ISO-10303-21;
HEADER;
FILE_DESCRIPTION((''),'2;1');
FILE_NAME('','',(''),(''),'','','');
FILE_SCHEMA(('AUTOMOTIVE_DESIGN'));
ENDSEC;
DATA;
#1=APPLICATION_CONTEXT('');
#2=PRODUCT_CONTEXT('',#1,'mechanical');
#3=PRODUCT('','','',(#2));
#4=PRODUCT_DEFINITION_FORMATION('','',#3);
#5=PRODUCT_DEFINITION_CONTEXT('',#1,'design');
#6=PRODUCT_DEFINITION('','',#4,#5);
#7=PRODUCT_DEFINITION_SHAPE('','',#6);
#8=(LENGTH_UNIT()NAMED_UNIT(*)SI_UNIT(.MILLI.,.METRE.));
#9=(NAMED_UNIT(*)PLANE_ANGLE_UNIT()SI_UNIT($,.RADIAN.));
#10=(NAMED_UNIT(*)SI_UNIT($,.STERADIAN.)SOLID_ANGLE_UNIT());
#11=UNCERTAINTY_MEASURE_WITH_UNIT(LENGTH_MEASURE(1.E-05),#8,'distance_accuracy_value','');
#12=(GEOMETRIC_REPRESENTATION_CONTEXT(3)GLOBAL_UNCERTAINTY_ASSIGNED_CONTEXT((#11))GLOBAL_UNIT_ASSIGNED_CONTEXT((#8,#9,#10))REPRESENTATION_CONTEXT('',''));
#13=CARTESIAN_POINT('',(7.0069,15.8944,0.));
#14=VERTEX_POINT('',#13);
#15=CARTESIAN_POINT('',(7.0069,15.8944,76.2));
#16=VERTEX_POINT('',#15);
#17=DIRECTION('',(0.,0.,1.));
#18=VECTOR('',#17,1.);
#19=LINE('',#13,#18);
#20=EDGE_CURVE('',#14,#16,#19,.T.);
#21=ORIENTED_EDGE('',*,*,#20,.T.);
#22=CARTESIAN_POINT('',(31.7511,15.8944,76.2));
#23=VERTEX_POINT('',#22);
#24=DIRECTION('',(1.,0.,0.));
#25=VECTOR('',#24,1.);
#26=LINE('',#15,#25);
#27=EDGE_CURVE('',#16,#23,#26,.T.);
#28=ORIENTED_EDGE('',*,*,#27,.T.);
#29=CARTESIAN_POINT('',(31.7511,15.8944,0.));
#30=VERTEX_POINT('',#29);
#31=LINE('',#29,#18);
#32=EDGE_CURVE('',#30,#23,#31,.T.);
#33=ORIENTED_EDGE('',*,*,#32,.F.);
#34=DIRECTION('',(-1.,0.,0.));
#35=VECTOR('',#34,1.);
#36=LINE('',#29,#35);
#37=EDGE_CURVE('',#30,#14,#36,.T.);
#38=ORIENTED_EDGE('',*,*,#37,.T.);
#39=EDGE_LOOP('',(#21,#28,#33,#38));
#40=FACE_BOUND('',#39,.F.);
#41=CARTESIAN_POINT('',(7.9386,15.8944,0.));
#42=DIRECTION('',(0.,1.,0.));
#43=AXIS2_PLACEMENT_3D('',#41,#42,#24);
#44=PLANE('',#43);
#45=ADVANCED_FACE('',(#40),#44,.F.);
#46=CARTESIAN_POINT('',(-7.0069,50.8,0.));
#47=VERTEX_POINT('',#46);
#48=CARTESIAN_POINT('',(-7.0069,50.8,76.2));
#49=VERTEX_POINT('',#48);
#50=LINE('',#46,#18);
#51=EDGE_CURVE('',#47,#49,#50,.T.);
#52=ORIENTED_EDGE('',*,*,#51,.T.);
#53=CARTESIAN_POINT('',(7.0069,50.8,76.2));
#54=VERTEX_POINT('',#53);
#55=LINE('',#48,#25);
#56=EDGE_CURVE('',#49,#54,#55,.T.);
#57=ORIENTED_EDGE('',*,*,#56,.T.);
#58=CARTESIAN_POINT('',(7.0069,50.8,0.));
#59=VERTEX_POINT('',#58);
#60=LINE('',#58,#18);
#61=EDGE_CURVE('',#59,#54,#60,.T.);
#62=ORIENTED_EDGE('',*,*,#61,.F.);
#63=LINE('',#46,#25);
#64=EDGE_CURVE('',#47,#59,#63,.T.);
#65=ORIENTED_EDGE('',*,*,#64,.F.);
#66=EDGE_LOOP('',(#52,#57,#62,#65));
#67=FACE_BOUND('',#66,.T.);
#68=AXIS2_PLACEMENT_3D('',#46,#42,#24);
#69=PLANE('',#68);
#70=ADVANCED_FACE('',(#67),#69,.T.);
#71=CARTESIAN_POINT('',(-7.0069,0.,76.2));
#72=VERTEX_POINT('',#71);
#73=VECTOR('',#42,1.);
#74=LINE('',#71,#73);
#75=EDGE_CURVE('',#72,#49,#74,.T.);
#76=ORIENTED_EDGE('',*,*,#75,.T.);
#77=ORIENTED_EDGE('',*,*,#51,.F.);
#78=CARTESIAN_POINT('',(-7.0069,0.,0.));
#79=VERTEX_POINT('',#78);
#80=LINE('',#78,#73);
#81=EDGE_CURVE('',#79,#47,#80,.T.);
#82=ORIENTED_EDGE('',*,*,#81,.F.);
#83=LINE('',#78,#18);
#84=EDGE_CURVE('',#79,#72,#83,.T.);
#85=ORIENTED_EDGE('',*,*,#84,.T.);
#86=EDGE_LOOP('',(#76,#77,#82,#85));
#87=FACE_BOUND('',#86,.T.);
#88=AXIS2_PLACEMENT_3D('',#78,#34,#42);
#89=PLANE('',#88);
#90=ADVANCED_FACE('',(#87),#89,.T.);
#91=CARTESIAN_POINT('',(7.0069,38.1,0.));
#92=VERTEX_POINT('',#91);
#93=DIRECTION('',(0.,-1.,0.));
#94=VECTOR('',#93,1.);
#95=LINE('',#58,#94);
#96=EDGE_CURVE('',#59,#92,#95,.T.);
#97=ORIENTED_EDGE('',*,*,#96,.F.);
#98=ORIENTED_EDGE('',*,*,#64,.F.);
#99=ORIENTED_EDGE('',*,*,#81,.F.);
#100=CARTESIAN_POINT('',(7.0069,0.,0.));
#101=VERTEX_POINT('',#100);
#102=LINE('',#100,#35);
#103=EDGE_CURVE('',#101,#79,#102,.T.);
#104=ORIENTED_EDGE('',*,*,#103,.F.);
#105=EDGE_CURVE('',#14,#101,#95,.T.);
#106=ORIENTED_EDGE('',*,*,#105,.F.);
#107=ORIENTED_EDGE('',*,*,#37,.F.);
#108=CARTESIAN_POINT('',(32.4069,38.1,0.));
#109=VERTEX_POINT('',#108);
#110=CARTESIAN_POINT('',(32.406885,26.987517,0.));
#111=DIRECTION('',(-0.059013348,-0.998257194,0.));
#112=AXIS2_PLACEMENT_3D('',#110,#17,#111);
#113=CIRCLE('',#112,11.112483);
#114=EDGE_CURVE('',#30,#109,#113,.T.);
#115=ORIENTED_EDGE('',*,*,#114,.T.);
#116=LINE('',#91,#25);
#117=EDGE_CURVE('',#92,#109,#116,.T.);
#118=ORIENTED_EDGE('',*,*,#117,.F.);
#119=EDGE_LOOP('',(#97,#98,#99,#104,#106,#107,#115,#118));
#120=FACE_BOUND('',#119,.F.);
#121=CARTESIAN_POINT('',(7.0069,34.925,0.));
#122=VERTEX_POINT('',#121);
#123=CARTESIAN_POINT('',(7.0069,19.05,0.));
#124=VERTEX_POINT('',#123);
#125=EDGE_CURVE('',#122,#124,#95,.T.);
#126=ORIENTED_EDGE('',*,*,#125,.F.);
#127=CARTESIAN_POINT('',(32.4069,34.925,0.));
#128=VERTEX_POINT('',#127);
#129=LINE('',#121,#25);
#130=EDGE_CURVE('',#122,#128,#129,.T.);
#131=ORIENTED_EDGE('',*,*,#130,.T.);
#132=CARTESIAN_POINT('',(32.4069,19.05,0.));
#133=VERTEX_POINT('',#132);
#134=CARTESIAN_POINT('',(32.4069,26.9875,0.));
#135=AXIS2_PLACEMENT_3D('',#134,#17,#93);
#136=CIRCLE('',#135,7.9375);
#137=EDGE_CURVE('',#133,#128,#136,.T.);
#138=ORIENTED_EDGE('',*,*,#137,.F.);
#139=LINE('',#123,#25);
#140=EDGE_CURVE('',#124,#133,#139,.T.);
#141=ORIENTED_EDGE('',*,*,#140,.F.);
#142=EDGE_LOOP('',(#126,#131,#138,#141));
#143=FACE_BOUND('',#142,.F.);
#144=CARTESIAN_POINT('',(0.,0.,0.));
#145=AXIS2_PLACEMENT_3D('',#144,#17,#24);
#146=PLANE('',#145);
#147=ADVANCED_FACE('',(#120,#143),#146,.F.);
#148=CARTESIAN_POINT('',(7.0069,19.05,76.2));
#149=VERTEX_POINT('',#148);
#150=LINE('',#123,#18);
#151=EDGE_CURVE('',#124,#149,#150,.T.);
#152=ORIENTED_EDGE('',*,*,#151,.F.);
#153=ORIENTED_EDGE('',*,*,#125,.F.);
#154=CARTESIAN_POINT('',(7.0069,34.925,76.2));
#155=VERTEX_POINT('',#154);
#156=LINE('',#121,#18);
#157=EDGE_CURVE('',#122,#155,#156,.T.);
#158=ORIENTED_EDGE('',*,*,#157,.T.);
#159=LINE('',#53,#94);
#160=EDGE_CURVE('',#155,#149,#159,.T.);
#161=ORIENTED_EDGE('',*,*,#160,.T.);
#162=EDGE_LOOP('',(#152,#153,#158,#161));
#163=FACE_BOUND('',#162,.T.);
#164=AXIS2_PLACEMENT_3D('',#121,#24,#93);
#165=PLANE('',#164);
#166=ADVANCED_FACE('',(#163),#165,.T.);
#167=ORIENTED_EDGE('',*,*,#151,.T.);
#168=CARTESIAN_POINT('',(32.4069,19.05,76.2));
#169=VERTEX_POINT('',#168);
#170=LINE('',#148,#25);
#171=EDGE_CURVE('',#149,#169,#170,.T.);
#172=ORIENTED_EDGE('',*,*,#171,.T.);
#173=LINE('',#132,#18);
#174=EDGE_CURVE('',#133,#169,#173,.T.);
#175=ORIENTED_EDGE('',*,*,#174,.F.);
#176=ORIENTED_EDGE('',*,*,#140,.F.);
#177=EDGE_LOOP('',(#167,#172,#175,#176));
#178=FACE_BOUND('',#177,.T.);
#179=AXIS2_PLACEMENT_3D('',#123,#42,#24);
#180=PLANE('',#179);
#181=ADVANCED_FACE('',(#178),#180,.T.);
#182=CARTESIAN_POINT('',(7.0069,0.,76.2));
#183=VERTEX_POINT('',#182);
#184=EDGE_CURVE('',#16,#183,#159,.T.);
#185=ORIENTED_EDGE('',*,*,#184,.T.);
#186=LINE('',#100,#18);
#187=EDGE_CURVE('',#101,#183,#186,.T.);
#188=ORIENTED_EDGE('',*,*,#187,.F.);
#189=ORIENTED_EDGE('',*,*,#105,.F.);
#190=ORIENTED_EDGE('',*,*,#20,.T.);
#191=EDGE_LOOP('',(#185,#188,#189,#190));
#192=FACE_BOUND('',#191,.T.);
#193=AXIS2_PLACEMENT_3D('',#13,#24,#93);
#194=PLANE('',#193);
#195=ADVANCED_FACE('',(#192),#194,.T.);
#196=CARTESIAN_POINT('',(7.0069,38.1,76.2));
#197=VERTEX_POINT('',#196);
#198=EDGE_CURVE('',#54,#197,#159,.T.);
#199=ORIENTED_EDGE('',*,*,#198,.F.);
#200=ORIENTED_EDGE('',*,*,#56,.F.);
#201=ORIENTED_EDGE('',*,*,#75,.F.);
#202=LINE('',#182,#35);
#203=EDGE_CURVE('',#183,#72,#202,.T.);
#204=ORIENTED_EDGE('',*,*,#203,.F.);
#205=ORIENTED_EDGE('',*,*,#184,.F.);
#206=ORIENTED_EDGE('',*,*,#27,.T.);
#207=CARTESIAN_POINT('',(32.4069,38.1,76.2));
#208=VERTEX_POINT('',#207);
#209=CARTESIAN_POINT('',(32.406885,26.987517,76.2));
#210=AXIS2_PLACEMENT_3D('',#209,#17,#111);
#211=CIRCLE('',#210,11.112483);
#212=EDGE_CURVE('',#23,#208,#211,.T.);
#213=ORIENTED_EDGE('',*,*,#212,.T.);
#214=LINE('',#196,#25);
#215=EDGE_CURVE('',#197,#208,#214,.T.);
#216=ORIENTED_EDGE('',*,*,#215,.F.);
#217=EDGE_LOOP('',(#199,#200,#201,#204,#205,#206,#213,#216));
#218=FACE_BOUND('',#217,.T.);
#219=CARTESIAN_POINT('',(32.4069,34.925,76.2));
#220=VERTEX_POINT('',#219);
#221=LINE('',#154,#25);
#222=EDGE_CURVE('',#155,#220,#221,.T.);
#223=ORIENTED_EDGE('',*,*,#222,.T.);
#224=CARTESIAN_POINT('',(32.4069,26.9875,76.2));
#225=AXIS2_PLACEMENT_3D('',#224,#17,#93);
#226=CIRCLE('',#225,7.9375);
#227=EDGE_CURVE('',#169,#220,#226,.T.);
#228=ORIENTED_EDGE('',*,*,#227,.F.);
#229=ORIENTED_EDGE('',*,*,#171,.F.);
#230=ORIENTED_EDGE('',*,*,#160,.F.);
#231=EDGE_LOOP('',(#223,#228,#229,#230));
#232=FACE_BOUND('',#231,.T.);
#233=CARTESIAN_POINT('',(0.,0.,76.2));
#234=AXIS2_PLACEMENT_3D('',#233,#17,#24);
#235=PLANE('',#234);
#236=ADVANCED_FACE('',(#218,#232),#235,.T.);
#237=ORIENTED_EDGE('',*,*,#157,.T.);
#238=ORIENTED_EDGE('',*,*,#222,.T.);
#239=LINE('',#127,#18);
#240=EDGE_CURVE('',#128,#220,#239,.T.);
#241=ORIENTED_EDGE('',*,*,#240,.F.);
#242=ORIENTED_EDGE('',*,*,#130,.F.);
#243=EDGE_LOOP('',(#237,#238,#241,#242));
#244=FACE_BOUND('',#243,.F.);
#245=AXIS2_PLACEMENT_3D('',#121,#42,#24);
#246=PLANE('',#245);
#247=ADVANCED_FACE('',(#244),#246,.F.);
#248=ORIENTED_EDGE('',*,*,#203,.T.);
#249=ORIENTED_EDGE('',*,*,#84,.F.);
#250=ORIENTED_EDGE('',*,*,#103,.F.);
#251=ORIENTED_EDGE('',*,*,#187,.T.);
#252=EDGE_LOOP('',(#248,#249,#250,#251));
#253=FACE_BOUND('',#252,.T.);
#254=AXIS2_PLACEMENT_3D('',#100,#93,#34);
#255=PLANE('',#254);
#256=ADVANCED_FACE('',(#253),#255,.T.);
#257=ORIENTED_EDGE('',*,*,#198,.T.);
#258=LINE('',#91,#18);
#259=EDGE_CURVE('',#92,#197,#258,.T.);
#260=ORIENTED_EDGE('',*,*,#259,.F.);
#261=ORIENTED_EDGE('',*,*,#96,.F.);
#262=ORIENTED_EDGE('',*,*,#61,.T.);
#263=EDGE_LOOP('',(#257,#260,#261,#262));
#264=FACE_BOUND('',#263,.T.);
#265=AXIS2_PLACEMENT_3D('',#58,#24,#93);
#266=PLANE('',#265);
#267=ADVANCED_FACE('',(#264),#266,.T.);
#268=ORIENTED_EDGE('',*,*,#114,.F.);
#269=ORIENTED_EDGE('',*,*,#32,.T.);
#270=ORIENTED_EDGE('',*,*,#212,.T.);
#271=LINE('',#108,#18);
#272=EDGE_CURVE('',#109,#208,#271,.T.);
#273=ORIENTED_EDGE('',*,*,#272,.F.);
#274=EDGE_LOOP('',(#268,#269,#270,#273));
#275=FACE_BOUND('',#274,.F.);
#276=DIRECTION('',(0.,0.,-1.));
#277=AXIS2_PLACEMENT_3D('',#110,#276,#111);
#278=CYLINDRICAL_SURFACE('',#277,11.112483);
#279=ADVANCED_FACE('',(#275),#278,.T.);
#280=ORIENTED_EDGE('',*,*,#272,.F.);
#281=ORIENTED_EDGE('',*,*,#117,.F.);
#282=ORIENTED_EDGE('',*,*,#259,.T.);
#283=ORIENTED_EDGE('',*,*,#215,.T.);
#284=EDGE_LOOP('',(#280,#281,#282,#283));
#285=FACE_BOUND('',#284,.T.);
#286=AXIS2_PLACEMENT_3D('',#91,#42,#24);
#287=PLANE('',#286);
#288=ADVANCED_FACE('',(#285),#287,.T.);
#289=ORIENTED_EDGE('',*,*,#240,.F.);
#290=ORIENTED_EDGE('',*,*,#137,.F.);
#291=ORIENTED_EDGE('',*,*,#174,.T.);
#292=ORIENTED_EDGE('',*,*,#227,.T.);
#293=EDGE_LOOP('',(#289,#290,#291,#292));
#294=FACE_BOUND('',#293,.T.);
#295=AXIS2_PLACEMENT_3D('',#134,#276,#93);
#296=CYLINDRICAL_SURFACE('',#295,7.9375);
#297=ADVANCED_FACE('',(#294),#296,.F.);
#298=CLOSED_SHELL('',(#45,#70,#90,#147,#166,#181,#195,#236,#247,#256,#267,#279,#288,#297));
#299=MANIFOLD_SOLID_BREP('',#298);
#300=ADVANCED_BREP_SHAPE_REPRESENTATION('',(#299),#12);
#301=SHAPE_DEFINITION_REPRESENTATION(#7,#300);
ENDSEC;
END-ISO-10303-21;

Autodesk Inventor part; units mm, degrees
ref_plane "YZ Plane" through (0, 0, 0) normal (1, 0, 0) x (0, 1, 0)
ref_plane "XZ Plane" through (0, 0, 0) normal (0, 1, 0) x (-1, 0, 0)
ref_plane "XY Plane" through (0, 0, 0) normal (0, 0, 1) x (1, 0, 0)
sketch "Sketch1" plane through (0, 0, 0) normal (0, 0, 1) x (1, 0, 0)
  line L0 (-7.0069, 50.8) -> (7.0069, 50.8)
  line L1 (7.0069, 50.8) -> (7.0069, 0)
  line L2 (7.0069, 0) -> (-7.0069, 0)
  line L3 (-7.0069, 0) -> (-7.0069, 50.8)
  line L4 (7.0069, 34.925) -> (32.4069, 34.925)
  line L5 (7.0069, 19.05) -> (32.4069, 19.05)
  arc A0 (32.4069, 19.05) -> (32.4069, 34.925) centre (32.4069, 26.9875) ccw
  line L6 (7.0069, 38.1) -> (32.4069, 38.1)
  line L7 (7.9386, 15.8944) -> (31.7511, 15.8944)
  arc A1 (31.7511, 15.8944) -> (32.4069, 38.1) centre (32.4069, 26.9875) ccw
  line L8 (7.9386, 15.8944) -> (7.0069, 15.8944)
  point P0 (0, 0)
  dimension "d0" = 50.8
  dimension "d1" = 25.4
extrude "Extrusion1" add sketch "Sketch1" along normal blind 76.2 contours L0 L1 L2 L3 | L6 A1 L7 L8 L1 L5 A0 L4
properties part number "WireHolder"
